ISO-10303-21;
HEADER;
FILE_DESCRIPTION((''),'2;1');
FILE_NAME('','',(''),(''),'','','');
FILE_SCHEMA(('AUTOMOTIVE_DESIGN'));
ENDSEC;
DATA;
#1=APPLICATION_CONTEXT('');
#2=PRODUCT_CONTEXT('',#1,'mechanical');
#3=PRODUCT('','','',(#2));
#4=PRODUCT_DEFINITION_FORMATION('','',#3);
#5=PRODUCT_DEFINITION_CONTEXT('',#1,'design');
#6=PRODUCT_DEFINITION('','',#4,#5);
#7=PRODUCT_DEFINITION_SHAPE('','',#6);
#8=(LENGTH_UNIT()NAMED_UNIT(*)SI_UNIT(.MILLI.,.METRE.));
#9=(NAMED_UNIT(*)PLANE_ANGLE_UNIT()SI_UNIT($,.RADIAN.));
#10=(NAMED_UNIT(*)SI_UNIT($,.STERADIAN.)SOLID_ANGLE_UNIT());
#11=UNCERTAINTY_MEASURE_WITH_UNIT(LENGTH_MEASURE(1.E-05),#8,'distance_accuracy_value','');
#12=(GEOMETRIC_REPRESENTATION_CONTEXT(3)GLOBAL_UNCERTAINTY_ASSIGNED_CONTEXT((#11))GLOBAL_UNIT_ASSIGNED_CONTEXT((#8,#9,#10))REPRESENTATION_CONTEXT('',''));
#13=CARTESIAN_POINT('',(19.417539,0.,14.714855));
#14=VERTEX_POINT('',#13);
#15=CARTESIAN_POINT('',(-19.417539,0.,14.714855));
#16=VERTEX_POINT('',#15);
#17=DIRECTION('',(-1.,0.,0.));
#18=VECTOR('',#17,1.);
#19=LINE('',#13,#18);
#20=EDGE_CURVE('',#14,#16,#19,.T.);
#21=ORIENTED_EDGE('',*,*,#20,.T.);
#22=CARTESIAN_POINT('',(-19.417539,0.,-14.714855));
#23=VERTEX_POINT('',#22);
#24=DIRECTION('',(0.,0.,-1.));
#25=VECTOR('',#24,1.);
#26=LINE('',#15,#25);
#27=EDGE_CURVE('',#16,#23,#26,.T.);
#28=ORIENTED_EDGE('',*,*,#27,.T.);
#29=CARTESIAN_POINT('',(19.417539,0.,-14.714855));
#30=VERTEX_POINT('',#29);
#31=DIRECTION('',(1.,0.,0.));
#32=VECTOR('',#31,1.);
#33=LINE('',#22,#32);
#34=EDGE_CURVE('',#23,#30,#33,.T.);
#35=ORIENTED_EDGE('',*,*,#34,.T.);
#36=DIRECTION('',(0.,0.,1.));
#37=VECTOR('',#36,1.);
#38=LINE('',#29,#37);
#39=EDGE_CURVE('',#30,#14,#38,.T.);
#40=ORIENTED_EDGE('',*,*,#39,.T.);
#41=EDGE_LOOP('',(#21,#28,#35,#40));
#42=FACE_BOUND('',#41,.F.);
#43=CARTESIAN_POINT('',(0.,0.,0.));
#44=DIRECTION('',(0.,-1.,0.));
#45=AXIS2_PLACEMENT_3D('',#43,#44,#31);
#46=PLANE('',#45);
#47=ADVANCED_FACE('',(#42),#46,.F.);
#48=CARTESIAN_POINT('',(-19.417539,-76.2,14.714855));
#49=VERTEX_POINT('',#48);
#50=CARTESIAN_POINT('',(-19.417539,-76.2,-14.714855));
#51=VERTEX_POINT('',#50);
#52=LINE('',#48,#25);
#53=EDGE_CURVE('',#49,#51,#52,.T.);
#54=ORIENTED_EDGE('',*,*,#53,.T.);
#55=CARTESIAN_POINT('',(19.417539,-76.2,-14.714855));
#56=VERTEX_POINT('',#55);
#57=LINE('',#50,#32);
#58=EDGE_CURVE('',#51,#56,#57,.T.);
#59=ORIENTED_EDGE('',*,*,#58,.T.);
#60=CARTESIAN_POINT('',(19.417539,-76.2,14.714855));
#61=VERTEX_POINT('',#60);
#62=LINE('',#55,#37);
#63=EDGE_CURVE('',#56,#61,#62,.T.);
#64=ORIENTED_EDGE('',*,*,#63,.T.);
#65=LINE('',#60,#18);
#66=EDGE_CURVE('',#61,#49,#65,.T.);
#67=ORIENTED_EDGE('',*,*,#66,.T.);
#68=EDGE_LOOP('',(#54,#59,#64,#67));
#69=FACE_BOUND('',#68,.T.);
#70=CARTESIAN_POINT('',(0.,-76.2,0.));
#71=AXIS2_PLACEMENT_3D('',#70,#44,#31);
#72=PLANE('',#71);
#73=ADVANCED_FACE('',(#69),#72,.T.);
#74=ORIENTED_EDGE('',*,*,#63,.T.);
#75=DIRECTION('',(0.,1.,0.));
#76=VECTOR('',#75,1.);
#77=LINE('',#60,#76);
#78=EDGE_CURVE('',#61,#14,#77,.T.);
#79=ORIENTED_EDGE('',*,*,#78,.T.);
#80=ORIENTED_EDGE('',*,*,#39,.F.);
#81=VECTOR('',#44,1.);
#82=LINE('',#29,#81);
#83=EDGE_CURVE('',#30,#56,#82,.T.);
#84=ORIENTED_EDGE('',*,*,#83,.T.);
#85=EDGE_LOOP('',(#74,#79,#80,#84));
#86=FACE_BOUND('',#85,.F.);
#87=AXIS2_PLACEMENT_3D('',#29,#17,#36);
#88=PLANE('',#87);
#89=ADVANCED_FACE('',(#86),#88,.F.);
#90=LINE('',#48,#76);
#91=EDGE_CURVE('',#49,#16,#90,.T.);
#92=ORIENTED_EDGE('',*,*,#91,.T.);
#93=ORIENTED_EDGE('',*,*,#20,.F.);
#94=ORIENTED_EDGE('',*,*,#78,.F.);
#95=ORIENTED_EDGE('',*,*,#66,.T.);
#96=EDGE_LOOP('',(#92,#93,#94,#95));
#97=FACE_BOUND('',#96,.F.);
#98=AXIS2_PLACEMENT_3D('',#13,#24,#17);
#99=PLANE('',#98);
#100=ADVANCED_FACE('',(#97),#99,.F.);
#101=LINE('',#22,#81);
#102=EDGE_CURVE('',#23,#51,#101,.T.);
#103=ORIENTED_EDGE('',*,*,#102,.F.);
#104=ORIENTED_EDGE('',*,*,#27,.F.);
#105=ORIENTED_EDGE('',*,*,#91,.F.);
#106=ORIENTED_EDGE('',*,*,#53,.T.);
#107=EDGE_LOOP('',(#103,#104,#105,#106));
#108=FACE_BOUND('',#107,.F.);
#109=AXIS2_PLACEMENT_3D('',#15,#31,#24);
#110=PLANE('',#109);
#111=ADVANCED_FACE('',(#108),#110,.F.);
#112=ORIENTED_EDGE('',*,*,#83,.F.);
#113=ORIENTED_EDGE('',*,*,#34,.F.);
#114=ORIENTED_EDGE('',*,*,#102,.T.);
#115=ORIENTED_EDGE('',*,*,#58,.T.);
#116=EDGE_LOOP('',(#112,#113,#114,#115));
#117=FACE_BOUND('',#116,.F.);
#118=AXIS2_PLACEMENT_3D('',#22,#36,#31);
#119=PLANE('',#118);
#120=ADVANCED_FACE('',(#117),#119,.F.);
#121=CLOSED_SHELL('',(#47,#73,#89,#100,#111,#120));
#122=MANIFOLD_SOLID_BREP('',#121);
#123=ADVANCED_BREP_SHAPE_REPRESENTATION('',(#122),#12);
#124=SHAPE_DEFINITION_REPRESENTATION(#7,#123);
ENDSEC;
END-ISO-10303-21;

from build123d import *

# Parameters (mm, degrees)
F1_DEPTH  = 76.2
F1_FACE_W = 38.835078
F1_FACE_H = 29.42971
F2_DEPTH  = 12.7


with BuildPart() as f1:
    # F0 (on Front) → F1 (new body)
    with BuildSketch(Plane.XZ):
        Polygon((-19.417539, -14.714855), (19.417539, -14.714855), (19.417539, 14.714855), (0, 14.714855), (-19.417539, 14.714855), align=None)
    extrude(amount=F1_DEPTH)

    # F1_face (on face) → F2 (join)
    with BuildSketch(Plane.XZ.offset(76.2)):
        Rectangle(F1_FACE_W, F1_FACE_H)
    extrude(amount=-F2_DEPTH)


solid = f1.part
